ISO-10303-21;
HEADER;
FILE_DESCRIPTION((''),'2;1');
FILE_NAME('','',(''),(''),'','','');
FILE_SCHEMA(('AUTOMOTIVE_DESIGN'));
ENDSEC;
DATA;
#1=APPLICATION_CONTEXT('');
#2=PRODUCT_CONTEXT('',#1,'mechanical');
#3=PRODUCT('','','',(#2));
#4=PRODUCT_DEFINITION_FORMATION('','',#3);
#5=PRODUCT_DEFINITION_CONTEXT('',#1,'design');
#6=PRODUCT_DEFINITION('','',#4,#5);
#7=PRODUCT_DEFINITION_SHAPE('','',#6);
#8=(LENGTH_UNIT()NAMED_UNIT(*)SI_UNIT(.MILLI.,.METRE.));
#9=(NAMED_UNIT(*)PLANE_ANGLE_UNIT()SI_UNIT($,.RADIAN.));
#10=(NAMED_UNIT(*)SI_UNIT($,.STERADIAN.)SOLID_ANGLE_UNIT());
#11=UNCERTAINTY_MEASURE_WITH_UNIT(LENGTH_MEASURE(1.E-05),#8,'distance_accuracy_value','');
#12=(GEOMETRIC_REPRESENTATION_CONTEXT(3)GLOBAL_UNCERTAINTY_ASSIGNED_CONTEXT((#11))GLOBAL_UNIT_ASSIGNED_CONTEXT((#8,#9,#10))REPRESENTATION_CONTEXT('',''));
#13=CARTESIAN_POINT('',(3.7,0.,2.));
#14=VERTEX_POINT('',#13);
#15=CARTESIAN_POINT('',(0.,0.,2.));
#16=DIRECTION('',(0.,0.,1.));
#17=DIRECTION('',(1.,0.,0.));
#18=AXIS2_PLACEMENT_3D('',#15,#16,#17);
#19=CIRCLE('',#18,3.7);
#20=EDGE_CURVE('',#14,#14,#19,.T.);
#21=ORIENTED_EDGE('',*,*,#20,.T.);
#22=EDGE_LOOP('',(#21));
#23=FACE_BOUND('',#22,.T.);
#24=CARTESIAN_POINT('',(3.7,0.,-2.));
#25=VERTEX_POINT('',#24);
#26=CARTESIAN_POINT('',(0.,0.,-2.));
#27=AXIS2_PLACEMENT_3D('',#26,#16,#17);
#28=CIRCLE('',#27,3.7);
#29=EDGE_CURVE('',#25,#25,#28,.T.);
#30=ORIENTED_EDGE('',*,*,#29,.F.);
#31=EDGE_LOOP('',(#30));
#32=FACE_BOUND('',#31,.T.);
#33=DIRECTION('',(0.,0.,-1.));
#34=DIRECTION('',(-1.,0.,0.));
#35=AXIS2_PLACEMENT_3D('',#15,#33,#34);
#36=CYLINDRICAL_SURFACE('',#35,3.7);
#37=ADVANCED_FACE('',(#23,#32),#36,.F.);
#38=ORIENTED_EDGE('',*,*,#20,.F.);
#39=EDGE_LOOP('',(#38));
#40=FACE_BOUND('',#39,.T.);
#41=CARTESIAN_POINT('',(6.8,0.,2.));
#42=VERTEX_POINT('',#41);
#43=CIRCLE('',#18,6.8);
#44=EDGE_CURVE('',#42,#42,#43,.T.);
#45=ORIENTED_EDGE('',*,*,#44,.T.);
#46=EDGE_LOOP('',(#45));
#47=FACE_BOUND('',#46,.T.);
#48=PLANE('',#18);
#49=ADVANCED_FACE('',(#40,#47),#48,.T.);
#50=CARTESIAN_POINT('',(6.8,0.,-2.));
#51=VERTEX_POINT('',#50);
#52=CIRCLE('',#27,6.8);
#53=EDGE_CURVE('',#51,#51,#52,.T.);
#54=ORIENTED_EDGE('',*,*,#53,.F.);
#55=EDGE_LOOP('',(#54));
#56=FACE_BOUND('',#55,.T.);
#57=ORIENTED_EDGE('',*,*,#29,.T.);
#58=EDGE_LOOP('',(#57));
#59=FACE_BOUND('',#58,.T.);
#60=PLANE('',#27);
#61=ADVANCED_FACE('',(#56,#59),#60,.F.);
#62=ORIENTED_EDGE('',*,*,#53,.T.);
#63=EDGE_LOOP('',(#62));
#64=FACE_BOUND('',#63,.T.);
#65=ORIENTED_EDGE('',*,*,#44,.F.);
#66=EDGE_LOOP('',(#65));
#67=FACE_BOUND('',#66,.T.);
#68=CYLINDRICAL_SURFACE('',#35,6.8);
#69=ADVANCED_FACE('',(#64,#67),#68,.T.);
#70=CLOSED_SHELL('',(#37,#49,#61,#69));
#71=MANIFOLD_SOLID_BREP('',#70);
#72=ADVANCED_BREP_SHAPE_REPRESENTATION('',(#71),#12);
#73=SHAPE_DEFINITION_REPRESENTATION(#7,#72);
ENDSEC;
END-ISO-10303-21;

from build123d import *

# Parameters (mm, degrees)
SKETCH_2_R      = 6.8
SKETCH_2_R_2    = 3.7
EXTRUDE_1_DEPTH = 2


with BuildPart() as part:
    # Эскиз2 → Бобышка-Вытянуть1 (new, symmetric)
    with BuildSketch(Plane.XY):
        Circle(SKETCH_2_R)
        Circle(SKETCH_2_R_2, mode=Mode.SUBTRACT)
    extrude(amount=EXTRUDE_1_DEPTH, both=True)


solid = part.part
